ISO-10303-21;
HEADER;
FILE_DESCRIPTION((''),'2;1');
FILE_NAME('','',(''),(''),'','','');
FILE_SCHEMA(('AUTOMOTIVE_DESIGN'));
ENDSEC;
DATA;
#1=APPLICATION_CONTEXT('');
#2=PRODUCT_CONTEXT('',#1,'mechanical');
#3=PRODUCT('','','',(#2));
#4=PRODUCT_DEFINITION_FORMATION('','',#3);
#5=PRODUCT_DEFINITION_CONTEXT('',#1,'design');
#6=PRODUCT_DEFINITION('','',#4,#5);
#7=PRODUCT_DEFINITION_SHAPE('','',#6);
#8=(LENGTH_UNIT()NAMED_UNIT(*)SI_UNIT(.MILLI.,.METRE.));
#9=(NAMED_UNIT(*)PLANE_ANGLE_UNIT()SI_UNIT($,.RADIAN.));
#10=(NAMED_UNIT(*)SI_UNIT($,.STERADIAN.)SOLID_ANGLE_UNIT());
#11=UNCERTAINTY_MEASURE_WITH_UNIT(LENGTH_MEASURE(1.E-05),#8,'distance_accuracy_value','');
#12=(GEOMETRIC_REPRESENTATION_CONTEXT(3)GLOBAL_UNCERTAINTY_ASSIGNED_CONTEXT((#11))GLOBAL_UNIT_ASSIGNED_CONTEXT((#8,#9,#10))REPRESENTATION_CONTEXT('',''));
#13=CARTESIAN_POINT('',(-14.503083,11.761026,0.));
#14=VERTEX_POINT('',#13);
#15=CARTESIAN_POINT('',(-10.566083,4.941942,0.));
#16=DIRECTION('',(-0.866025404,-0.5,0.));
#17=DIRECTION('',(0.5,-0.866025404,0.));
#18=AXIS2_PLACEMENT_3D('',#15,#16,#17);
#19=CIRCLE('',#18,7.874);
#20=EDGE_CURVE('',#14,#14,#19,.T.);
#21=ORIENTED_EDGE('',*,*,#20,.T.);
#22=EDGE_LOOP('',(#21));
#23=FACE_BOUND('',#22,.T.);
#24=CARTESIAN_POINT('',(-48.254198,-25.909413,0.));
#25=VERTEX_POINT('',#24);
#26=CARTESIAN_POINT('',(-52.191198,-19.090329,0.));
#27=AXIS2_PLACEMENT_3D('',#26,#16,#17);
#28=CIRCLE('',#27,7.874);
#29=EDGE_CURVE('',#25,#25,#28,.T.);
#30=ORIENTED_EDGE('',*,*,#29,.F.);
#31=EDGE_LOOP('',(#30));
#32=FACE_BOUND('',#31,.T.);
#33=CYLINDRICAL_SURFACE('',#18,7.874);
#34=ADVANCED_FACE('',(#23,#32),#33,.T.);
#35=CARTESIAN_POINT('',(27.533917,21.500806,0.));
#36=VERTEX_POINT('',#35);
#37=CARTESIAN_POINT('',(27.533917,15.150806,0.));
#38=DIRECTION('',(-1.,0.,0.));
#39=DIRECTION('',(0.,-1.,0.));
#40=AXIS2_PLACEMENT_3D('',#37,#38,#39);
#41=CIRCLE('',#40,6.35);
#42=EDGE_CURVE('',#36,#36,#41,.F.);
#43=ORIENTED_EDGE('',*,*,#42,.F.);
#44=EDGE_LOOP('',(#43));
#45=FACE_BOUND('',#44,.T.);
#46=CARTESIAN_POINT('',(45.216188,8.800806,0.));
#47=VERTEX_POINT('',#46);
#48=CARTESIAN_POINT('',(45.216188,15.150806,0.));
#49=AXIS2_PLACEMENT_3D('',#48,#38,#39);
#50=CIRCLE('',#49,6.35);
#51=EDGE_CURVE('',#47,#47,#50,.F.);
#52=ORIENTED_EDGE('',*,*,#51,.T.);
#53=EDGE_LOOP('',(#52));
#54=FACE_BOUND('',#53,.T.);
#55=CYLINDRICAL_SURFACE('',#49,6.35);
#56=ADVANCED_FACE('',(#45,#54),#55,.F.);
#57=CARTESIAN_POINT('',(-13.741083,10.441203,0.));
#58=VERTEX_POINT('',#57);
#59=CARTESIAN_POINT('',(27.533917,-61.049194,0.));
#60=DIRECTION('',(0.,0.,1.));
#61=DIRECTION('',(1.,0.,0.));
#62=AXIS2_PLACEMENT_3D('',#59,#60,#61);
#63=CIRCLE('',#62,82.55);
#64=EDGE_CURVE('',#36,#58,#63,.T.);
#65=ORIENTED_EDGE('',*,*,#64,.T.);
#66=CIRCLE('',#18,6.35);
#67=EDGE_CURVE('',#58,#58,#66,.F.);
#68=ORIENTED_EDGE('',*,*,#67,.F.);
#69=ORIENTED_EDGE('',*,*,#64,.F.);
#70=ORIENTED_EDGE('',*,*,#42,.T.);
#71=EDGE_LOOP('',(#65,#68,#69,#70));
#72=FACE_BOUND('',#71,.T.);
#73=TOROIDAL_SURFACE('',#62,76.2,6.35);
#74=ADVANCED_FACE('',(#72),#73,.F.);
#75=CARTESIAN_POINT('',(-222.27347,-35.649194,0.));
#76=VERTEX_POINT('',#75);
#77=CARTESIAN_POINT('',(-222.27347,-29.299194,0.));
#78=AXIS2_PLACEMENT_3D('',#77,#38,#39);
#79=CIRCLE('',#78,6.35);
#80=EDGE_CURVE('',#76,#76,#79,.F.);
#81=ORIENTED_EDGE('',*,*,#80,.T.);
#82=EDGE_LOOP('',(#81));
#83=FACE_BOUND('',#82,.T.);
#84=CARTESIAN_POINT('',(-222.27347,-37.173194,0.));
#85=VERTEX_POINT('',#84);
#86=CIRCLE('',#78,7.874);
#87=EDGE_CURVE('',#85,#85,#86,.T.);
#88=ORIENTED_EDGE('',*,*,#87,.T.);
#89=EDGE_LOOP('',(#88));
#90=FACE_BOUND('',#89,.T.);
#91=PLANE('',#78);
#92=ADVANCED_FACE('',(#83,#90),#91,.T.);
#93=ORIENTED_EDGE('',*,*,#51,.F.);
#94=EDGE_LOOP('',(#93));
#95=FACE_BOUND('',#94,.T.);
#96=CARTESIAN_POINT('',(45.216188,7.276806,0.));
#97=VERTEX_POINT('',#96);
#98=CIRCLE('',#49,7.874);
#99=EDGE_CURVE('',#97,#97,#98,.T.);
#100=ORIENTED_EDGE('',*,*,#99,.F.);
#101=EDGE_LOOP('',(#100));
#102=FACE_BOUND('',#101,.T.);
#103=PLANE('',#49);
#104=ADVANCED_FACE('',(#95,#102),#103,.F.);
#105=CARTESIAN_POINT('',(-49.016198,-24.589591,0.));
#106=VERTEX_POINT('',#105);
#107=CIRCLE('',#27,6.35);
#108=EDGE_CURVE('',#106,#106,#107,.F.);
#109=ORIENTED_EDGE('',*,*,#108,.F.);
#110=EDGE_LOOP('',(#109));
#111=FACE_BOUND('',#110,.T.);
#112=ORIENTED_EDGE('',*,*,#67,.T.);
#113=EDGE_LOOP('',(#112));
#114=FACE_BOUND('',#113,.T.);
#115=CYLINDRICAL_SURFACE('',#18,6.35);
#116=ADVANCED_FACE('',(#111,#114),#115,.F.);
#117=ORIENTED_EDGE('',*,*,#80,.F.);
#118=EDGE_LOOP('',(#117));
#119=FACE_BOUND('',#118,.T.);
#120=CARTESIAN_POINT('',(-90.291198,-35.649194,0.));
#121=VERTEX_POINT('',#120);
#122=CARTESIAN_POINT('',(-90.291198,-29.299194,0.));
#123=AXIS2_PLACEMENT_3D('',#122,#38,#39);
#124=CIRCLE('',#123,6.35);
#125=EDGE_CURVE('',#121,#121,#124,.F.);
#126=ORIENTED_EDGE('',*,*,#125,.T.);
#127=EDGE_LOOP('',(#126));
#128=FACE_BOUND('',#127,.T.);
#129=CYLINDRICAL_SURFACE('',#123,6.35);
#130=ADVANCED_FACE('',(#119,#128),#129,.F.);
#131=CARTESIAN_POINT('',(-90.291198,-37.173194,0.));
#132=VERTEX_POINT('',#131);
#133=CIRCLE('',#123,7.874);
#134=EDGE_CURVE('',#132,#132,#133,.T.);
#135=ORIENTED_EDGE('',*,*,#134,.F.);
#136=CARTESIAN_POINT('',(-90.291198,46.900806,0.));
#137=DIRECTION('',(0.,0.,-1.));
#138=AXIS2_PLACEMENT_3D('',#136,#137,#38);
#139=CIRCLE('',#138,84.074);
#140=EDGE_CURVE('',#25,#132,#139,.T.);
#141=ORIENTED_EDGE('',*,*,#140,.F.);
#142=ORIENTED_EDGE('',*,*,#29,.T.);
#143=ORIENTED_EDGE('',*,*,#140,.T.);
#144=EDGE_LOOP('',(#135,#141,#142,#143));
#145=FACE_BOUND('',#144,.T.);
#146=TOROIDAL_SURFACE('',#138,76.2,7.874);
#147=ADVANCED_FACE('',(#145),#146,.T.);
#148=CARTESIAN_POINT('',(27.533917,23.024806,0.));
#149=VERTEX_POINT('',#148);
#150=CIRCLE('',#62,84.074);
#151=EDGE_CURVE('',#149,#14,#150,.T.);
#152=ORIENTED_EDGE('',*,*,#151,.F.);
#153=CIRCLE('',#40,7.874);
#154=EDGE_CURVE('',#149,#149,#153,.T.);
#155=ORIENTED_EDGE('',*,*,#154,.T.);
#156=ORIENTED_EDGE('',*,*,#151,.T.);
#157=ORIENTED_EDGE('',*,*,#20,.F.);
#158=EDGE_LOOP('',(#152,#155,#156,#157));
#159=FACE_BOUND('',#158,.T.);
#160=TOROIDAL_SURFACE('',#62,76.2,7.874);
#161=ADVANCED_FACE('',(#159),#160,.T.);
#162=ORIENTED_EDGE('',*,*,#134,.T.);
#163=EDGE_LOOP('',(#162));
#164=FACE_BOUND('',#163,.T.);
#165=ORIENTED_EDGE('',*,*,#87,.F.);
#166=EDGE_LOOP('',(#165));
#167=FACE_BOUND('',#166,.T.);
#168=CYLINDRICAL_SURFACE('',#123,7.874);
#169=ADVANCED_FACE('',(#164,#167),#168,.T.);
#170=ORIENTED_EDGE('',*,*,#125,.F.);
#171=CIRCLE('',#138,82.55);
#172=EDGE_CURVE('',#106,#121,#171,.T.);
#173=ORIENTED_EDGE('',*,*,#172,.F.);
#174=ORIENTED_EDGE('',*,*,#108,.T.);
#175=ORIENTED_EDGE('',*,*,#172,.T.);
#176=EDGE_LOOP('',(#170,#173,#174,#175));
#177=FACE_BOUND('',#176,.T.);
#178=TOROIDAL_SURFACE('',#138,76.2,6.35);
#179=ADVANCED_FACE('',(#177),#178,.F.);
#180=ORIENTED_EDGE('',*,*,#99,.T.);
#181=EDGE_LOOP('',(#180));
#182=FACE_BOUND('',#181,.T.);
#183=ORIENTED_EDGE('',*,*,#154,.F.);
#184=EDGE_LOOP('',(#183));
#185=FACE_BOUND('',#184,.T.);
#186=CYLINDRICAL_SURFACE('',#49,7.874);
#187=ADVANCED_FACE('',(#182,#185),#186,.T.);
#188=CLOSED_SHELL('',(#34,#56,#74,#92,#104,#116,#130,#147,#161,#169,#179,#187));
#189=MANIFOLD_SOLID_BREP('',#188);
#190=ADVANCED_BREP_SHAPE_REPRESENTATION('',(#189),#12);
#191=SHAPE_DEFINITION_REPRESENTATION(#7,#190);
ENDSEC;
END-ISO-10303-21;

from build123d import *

# Parameters (mm, degrees)
SKETCH5_R   = 7.874
SKETCH5_R_2 = 6.35


with BuildPart() as part:
    # Sweep1: sweep along a path in Sketch4
    with BuildLine(Plane.XY) as sweep1_path:
        Line((45.216188471, 15.150806357), (27.533916935, 15.150806357))
        ThreePointArc((27.533916935, 15.150806357), (7.811905698, 12.55435432), (-10.566083065, 4.941942125))
        Line((-10.566083065, 4.941942125), (-52.191198388, -19.090329412))
        ThreePointArc((-52.191198388, -19.090329412), (-70.569187152, -26.702741607), (-90.291198388, -29.299193643))
        Line((-90.291198388, -29.299193643), (-222.273469925, -29.299193643))
    # Sketch5 → Sweep1 (sweep)
    with BuildSketch(Plane(origin=(45.216188471, 15.150806357, 0), x_dir=(0, 0, 1), z_dir=(-1, 0, 0))):
        Circle(SKETCH5_R)
        Circle(SKETCH5_R_2, mode=Mode.SUBTRACT)
    sweep(path=sweep1_path.line)


solid = part.part
